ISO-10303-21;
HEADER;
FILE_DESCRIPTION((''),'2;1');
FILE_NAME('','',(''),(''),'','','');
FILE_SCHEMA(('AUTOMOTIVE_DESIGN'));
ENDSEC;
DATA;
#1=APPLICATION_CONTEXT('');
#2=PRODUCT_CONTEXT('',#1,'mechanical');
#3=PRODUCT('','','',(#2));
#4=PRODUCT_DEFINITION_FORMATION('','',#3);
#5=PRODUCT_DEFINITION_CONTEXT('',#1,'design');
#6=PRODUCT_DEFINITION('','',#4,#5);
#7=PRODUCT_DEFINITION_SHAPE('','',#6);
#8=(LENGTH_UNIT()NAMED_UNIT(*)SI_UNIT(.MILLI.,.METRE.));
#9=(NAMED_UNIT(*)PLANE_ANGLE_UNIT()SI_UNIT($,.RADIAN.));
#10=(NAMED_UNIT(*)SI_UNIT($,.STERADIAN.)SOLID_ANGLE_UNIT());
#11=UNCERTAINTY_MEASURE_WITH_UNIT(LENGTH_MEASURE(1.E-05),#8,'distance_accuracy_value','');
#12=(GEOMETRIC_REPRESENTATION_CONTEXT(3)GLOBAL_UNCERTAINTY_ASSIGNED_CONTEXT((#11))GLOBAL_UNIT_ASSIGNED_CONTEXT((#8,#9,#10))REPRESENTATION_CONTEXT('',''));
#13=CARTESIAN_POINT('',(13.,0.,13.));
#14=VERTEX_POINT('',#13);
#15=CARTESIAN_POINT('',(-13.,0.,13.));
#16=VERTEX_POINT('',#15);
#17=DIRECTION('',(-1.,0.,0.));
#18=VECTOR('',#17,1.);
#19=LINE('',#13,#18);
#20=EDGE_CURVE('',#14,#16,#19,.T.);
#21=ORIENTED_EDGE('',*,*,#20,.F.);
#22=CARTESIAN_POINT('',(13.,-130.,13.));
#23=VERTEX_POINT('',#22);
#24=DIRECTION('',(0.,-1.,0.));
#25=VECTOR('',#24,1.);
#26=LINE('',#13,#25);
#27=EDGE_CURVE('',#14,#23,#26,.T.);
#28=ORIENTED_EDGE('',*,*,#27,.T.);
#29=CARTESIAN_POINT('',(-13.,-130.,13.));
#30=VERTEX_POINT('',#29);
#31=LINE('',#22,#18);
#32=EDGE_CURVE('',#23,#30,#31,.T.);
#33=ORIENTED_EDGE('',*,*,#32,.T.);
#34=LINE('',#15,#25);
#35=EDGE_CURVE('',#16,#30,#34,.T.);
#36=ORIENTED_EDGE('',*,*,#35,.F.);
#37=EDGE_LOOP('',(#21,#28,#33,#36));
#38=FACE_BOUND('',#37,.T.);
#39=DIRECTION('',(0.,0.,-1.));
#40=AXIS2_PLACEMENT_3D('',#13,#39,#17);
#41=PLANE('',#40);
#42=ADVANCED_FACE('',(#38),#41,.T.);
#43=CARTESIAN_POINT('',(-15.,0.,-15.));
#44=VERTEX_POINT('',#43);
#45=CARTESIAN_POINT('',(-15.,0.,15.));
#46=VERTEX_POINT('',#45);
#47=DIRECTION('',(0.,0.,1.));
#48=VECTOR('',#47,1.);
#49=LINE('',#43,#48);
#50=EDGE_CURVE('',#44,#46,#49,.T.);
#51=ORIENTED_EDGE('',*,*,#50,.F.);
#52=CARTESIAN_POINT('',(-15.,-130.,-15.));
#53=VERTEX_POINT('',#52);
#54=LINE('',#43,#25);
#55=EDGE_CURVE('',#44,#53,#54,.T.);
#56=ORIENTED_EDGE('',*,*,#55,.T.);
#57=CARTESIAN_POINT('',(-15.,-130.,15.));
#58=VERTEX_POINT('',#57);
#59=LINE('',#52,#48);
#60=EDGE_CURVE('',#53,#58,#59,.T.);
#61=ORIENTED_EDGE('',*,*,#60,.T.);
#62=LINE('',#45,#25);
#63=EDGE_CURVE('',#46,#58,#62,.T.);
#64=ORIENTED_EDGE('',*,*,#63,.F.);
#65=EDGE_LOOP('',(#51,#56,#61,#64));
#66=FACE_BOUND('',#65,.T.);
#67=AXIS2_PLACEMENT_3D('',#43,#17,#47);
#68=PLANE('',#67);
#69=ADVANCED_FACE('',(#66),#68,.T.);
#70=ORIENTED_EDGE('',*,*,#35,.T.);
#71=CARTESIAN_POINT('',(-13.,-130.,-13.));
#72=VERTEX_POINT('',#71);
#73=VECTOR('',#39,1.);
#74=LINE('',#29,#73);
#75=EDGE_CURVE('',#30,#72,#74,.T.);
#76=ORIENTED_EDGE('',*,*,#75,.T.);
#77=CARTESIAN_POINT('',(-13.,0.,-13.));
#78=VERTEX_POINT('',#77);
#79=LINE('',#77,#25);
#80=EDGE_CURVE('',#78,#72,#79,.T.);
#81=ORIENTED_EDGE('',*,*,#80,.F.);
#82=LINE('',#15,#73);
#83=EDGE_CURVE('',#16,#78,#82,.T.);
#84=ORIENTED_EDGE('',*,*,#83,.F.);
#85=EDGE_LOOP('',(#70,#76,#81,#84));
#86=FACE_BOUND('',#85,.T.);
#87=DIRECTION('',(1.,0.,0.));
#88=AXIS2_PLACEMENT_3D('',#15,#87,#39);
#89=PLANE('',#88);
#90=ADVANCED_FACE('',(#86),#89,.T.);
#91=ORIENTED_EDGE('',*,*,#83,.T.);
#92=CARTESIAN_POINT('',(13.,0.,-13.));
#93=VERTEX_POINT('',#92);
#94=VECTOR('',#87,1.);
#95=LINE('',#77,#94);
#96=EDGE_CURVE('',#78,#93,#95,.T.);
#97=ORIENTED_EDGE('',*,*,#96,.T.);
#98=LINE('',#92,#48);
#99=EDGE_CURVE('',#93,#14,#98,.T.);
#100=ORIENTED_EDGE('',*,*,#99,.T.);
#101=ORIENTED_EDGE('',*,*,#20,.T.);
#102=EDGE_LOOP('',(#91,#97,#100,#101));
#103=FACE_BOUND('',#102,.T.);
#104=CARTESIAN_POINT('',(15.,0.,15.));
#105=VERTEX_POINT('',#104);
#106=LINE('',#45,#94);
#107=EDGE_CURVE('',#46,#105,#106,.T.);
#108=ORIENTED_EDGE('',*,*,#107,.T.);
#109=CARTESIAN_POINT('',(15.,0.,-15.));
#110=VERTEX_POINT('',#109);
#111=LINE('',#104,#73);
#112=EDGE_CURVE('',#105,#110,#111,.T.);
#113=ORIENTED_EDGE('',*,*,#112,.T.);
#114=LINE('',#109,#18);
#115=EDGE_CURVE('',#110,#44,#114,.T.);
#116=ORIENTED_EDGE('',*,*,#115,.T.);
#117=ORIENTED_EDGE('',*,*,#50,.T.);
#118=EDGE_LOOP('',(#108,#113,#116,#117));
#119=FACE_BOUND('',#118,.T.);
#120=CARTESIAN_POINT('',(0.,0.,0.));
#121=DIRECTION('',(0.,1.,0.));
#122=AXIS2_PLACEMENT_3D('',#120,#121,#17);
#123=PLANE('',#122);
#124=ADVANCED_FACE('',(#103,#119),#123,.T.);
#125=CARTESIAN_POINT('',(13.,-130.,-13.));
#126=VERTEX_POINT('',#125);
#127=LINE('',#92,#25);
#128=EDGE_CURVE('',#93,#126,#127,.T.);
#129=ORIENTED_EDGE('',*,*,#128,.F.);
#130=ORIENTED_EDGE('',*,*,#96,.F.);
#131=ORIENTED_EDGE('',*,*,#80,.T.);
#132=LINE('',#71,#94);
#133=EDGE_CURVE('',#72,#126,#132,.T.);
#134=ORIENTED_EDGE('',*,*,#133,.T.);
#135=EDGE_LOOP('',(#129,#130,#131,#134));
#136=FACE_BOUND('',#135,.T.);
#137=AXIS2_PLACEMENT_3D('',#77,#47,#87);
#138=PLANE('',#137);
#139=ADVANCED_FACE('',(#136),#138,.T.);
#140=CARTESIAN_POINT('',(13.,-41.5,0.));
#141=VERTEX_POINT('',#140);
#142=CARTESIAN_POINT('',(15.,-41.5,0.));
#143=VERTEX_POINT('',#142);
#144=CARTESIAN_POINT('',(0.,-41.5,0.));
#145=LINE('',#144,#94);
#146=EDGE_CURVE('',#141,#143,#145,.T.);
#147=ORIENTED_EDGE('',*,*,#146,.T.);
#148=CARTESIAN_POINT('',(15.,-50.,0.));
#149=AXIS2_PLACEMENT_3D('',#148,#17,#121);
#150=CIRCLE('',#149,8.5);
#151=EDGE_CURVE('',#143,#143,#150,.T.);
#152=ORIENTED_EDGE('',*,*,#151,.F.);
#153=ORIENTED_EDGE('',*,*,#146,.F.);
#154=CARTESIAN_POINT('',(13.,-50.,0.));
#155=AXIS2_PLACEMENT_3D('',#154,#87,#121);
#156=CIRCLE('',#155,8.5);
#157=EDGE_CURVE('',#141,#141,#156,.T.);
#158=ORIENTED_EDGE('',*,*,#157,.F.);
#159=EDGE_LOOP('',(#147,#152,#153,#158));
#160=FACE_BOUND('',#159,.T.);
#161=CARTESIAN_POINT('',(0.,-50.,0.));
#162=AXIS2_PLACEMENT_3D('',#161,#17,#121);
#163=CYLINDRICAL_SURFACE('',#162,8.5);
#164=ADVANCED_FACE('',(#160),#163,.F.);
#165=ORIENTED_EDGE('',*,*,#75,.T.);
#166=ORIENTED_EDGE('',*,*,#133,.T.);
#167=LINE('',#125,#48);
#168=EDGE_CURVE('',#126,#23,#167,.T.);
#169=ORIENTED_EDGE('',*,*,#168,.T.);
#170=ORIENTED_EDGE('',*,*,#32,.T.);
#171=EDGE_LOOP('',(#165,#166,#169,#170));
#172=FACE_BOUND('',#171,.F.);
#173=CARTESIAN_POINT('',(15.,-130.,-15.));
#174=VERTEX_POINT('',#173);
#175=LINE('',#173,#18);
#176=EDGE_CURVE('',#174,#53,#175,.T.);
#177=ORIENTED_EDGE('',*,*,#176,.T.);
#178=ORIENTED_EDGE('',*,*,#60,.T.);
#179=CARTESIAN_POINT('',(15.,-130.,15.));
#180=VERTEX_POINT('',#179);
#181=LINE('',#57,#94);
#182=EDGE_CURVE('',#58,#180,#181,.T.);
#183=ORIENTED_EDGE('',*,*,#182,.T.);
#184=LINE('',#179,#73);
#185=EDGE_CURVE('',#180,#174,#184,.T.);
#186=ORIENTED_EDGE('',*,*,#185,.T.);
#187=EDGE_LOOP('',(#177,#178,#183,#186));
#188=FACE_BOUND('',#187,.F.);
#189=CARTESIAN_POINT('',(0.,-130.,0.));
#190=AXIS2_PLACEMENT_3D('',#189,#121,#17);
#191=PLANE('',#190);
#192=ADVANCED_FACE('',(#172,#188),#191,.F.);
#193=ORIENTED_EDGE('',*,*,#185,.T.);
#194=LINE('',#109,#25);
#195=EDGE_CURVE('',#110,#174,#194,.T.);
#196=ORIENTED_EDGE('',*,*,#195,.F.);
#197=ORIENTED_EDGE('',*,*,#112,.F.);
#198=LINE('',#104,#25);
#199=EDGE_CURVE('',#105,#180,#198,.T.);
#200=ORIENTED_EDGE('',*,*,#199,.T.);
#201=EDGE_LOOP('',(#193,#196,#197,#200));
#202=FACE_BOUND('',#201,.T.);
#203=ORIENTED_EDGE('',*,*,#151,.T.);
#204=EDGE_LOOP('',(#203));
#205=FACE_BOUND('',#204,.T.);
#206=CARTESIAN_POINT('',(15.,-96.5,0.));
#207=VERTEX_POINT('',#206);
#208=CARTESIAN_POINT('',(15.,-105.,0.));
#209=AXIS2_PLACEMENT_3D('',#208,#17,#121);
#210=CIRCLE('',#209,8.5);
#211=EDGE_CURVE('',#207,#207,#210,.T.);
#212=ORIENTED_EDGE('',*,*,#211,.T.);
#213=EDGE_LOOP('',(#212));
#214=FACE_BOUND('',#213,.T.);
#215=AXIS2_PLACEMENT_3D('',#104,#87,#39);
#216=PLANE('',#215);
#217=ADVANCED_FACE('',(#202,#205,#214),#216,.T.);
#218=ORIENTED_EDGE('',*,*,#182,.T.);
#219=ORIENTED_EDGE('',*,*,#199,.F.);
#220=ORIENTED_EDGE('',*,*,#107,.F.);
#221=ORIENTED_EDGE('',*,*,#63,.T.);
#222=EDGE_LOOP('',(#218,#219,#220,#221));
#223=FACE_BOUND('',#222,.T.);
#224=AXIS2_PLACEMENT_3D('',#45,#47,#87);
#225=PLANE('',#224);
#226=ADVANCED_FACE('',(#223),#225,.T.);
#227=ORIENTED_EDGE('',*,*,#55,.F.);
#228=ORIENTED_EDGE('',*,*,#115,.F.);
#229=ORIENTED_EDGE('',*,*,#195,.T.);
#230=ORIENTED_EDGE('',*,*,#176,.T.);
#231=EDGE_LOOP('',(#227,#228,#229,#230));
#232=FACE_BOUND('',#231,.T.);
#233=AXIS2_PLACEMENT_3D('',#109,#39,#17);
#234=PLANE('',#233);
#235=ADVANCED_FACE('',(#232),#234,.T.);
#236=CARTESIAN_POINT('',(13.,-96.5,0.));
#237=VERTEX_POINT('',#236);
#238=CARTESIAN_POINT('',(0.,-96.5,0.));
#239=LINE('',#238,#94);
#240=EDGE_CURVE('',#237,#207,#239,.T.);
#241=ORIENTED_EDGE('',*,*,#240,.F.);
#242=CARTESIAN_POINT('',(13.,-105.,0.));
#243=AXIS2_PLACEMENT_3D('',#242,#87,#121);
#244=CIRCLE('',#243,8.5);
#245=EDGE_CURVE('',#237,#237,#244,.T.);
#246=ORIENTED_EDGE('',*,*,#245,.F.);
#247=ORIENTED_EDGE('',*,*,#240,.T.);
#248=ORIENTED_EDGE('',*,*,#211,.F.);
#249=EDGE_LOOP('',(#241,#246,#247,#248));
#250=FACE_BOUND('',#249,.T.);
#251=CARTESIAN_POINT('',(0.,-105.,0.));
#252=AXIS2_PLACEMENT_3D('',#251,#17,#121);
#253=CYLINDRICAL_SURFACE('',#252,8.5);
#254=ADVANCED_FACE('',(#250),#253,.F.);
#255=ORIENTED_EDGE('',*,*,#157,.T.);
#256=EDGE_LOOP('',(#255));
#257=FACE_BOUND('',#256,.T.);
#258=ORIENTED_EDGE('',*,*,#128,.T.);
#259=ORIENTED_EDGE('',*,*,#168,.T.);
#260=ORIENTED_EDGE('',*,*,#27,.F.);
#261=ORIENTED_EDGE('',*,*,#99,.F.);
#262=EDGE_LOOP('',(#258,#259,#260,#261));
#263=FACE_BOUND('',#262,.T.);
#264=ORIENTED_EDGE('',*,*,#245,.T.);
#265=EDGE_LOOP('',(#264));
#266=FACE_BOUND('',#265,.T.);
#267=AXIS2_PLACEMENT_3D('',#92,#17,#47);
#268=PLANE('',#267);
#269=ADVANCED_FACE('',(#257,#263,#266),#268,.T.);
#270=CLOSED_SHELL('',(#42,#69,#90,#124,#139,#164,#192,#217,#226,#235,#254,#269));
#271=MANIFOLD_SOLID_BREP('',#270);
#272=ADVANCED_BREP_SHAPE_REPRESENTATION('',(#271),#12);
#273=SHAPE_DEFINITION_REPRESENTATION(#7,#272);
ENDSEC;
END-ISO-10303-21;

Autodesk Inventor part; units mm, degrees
ref_plane "YZ Plane" through (0, 0, 0) normal (1, 0, 0) x (0, 1, 0)
ref_plane "XZ Plane" through (0, 0, 0) normal (0, 1, 0) x (-1, 0, 0)
ref_plane "XY Plane" through (0, 0, 0) normal (0, 0, 1) x (1, 0, 0)
sketch "Sketch9" plane through (0, 0, 0) normal (0, 1, 0) x (-1, 0, 0)
  line L0 (15, 15) -> (-15, 15)
  line L1 (-15, 15) -> (-15, -15)
  line L2 (-15, -15) -> (15, -15)
  line L3 (15, -15) -> (15, 15)
  line L4 (15, 15) -> (-15, -15) construction
  line L5 (-15, 15) -> (15, -15) construction
  line L6 (-13, 13) -> (13, 13)
  line L7 (13, 13) -> (13, -13)
  line L8 (13, -13) -> (-13, -13)
  line L9 (-13, -13) -> (-13, 13)
  point P0 (0, 0)
  dimension "d172" = 30
  dimension "d173" = 30
  dimension "d174" = 2
extrude "Extrusion3" add sketch "Sketch9" against normal blind 130
sketch "Sketch10" plane through (0, 0, 0) normal (1, 0, 0) x (0, 1, 0)
  line L0 (0, 15) -> (0, -15) construction
  line L1 (0, 15) -> (-130, 15) construction
  line L2 (-130, -15) -> (-130, 15) construction
  line L3 (0, -15) -> (-130, -15) construction
  line L4 (-58.5, 8.5) -> (-41.5, 8.5)
  line L5 (-41.5, 8.5) -> (-41.5, -8.5)
  line L6 (-41.5, -8.5) -> (-58.5, -8.5)
  line L7 (-58.5, -8.5) -> (-58.5, 8.5)
  line L8 (-58.5, 8.5) -> (-41.5, -8.5) construction
  line L9 (-41.5, 8.5) -> (-58.5, -8.5) construction
  line L10 (0, 0) -> (30, 0)
  circle A0 centre (-50, 0) radius 8.5
  dimension "d177" = 17
  dimension "d178" = 17
  dimension "d181" = 30
  dimension "d182" = 80
extrude "Extrusion4" cut sketch "Sketch10" along normal through all contours A0
pattern_linear "Rectangular Pattern4" count 2 spacing 55 along (0, -1, 0) of "Extrusion4"
properties part number "PRS 1200-54-01 FDS 1200 way tube 3" material "Stainless Steel"
